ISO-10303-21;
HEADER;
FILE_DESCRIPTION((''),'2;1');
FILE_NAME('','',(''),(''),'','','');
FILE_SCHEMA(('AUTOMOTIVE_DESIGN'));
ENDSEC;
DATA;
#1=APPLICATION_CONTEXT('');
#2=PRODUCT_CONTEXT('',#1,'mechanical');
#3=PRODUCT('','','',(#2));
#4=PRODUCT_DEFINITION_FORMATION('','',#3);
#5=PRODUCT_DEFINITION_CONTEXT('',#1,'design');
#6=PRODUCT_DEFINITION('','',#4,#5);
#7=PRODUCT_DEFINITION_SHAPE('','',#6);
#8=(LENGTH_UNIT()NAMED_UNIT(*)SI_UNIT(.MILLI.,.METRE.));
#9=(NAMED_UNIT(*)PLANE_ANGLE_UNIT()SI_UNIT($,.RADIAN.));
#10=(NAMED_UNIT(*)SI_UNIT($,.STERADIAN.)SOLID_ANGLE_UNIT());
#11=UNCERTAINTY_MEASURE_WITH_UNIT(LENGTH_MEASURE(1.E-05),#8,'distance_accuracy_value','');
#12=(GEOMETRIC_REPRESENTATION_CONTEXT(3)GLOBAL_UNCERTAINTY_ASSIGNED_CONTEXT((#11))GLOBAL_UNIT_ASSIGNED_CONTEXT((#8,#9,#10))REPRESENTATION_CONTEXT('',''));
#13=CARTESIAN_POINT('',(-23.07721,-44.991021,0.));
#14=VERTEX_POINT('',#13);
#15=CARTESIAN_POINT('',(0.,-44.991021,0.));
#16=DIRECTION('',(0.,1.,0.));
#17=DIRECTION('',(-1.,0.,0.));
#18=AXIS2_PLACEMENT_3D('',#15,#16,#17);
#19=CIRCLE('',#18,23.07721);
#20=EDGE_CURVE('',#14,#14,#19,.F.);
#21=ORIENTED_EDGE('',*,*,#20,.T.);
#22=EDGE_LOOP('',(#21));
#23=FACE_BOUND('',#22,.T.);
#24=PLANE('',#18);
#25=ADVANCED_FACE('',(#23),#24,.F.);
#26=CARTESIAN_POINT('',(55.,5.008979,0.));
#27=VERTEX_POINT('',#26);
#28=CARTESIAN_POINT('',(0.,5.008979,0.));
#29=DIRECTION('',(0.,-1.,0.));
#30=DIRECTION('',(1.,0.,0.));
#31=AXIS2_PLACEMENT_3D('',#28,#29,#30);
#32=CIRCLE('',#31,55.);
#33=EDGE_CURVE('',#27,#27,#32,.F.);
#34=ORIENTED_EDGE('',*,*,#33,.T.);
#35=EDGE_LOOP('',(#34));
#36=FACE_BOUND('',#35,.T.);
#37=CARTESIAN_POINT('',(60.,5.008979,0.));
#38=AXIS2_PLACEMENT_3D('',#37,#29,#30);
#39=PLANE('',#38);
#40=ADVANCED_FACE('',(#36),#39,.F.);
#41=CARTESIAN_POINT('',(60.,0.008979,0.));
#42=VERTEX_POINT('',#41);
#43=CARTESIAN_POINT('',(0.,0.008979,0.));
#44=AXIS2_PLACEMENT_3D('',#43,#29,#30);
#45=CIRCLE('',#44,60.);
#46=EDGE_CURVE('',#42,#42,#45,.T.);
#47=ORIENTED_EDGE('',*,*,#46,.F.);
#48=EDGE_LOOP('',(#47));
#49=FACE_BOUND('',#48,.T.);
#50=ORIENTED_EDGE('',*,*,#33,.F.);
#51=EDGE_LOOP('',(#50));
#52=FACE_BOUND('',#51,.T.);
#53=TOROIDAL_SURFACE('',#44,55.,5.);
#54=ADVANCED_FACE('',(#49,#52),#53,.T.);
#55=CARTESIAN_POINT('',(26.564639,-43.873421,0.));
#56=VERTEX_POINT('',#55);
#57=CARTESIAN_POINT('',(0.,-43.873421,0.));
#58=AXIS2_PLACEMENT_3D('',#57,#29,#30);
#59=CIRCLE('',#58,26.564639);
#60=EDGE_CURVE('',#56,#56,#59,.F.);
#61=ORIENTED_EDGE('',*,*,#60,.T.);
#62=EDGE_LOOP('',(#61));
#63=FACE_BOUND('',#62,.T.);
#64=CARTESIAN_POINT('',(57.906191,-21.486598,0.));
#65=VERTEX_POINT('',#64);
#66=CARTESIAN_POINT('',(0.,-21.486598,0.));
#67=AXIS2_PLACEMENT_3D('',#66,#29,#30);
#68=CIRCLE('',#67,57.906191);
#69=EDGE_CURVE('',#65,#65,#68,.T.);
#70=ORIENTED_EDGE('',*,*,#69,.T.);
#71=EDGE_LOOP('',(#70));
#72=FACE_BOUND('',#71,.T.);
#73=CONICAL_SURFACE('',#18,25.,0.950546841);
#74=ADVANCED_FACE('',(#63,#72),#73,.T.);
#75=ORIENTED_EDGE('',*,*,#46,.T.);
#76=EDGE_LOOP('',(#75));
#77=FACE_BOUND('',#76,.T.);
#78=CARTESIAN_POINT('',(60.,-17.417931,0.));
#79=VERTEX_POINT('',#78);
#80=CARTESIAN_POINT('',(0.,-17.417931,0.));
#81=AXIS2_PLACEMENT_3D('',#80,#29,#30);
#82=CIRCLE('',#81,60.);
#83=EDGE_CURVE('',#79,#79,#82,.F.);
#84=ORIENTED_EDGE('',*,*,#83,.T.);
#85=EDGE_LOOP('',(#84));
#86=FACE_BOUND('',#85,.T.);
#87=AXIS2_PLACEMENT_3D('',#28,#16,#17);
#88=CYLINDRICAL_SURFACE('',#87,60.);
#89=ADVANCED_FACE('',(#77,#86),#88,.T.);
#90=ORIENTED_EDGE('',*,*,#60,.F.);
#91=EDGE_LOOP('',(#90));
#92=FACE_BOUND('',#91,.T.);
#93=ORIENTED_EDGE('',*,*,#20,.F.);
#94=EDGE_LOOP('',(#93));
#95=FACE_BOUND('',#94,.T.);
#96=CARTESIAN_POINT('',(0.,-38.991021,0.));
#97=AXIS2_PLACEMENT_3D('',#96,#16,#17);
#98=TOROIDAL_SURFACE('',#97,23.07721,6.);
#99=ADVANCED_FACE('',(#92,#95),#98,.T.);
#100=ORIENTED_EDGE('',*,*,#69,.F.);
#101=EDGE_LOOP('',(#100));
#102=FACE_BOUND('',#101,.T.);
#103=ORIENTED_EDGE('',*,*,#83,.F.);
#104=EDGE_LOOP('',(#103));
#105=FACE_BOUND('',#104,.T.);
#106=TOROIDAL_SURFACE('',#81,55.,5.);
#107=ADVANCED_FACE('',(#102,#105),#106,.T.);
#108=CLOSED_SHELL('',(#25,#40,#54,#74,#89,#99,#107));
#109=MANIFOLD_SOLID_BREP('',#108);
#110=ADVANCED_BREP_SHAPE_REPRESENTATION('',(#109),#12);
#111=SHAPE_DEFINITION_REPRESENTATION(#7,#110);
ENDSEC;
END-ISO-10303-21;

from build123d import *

# Parameters (mm, degrees)
FILLET2_R = 5
FILLET3_R = 5
FILLET4_R = 6


with BuildPart() as part:
    # Sketch1 → Revolve3 (revolve)
    with BuildSketch(Plane.XY, mode=Mode.PRIVATE) as revolve3_sk:
        Polygon((0, -44.99102057), (25, -44.99102057), (60, -19.99102057), (60, 5.00897943), (0, 5.00897943), align=None)
    revolve(revolve3_sk.sketch.rotate(Axis((0, 5.00897943, 0), (0, -1, 0)), 180), axis=Axis((0, 5.00897943, 0), (0, -1, 0)))

    # Fillet2
    fillet2_edges = [part.edges().sort_by_distance(p)[0] for p in [
        (60, 5.00897943, 0),
    ]]
    fillet(fillet2_edges, radius=FILLET2_R)

    # Fillet3
    fillet3_edges = [part.edges().sort_by_distance(p)[0] for p in [
        (60, -19.99102057, 0),
    ]]
    fillet(fillet3_edges, radius=FILLET3_R)

    # Fillet4
    fillet4_edges = [part.edges().sort_by_distance(p)[0] for p in [
        (25, -44.99102057, 0),
    ]]
    fillet(fillet4_edges, radius=FILLET4_R)


solid = part.part
